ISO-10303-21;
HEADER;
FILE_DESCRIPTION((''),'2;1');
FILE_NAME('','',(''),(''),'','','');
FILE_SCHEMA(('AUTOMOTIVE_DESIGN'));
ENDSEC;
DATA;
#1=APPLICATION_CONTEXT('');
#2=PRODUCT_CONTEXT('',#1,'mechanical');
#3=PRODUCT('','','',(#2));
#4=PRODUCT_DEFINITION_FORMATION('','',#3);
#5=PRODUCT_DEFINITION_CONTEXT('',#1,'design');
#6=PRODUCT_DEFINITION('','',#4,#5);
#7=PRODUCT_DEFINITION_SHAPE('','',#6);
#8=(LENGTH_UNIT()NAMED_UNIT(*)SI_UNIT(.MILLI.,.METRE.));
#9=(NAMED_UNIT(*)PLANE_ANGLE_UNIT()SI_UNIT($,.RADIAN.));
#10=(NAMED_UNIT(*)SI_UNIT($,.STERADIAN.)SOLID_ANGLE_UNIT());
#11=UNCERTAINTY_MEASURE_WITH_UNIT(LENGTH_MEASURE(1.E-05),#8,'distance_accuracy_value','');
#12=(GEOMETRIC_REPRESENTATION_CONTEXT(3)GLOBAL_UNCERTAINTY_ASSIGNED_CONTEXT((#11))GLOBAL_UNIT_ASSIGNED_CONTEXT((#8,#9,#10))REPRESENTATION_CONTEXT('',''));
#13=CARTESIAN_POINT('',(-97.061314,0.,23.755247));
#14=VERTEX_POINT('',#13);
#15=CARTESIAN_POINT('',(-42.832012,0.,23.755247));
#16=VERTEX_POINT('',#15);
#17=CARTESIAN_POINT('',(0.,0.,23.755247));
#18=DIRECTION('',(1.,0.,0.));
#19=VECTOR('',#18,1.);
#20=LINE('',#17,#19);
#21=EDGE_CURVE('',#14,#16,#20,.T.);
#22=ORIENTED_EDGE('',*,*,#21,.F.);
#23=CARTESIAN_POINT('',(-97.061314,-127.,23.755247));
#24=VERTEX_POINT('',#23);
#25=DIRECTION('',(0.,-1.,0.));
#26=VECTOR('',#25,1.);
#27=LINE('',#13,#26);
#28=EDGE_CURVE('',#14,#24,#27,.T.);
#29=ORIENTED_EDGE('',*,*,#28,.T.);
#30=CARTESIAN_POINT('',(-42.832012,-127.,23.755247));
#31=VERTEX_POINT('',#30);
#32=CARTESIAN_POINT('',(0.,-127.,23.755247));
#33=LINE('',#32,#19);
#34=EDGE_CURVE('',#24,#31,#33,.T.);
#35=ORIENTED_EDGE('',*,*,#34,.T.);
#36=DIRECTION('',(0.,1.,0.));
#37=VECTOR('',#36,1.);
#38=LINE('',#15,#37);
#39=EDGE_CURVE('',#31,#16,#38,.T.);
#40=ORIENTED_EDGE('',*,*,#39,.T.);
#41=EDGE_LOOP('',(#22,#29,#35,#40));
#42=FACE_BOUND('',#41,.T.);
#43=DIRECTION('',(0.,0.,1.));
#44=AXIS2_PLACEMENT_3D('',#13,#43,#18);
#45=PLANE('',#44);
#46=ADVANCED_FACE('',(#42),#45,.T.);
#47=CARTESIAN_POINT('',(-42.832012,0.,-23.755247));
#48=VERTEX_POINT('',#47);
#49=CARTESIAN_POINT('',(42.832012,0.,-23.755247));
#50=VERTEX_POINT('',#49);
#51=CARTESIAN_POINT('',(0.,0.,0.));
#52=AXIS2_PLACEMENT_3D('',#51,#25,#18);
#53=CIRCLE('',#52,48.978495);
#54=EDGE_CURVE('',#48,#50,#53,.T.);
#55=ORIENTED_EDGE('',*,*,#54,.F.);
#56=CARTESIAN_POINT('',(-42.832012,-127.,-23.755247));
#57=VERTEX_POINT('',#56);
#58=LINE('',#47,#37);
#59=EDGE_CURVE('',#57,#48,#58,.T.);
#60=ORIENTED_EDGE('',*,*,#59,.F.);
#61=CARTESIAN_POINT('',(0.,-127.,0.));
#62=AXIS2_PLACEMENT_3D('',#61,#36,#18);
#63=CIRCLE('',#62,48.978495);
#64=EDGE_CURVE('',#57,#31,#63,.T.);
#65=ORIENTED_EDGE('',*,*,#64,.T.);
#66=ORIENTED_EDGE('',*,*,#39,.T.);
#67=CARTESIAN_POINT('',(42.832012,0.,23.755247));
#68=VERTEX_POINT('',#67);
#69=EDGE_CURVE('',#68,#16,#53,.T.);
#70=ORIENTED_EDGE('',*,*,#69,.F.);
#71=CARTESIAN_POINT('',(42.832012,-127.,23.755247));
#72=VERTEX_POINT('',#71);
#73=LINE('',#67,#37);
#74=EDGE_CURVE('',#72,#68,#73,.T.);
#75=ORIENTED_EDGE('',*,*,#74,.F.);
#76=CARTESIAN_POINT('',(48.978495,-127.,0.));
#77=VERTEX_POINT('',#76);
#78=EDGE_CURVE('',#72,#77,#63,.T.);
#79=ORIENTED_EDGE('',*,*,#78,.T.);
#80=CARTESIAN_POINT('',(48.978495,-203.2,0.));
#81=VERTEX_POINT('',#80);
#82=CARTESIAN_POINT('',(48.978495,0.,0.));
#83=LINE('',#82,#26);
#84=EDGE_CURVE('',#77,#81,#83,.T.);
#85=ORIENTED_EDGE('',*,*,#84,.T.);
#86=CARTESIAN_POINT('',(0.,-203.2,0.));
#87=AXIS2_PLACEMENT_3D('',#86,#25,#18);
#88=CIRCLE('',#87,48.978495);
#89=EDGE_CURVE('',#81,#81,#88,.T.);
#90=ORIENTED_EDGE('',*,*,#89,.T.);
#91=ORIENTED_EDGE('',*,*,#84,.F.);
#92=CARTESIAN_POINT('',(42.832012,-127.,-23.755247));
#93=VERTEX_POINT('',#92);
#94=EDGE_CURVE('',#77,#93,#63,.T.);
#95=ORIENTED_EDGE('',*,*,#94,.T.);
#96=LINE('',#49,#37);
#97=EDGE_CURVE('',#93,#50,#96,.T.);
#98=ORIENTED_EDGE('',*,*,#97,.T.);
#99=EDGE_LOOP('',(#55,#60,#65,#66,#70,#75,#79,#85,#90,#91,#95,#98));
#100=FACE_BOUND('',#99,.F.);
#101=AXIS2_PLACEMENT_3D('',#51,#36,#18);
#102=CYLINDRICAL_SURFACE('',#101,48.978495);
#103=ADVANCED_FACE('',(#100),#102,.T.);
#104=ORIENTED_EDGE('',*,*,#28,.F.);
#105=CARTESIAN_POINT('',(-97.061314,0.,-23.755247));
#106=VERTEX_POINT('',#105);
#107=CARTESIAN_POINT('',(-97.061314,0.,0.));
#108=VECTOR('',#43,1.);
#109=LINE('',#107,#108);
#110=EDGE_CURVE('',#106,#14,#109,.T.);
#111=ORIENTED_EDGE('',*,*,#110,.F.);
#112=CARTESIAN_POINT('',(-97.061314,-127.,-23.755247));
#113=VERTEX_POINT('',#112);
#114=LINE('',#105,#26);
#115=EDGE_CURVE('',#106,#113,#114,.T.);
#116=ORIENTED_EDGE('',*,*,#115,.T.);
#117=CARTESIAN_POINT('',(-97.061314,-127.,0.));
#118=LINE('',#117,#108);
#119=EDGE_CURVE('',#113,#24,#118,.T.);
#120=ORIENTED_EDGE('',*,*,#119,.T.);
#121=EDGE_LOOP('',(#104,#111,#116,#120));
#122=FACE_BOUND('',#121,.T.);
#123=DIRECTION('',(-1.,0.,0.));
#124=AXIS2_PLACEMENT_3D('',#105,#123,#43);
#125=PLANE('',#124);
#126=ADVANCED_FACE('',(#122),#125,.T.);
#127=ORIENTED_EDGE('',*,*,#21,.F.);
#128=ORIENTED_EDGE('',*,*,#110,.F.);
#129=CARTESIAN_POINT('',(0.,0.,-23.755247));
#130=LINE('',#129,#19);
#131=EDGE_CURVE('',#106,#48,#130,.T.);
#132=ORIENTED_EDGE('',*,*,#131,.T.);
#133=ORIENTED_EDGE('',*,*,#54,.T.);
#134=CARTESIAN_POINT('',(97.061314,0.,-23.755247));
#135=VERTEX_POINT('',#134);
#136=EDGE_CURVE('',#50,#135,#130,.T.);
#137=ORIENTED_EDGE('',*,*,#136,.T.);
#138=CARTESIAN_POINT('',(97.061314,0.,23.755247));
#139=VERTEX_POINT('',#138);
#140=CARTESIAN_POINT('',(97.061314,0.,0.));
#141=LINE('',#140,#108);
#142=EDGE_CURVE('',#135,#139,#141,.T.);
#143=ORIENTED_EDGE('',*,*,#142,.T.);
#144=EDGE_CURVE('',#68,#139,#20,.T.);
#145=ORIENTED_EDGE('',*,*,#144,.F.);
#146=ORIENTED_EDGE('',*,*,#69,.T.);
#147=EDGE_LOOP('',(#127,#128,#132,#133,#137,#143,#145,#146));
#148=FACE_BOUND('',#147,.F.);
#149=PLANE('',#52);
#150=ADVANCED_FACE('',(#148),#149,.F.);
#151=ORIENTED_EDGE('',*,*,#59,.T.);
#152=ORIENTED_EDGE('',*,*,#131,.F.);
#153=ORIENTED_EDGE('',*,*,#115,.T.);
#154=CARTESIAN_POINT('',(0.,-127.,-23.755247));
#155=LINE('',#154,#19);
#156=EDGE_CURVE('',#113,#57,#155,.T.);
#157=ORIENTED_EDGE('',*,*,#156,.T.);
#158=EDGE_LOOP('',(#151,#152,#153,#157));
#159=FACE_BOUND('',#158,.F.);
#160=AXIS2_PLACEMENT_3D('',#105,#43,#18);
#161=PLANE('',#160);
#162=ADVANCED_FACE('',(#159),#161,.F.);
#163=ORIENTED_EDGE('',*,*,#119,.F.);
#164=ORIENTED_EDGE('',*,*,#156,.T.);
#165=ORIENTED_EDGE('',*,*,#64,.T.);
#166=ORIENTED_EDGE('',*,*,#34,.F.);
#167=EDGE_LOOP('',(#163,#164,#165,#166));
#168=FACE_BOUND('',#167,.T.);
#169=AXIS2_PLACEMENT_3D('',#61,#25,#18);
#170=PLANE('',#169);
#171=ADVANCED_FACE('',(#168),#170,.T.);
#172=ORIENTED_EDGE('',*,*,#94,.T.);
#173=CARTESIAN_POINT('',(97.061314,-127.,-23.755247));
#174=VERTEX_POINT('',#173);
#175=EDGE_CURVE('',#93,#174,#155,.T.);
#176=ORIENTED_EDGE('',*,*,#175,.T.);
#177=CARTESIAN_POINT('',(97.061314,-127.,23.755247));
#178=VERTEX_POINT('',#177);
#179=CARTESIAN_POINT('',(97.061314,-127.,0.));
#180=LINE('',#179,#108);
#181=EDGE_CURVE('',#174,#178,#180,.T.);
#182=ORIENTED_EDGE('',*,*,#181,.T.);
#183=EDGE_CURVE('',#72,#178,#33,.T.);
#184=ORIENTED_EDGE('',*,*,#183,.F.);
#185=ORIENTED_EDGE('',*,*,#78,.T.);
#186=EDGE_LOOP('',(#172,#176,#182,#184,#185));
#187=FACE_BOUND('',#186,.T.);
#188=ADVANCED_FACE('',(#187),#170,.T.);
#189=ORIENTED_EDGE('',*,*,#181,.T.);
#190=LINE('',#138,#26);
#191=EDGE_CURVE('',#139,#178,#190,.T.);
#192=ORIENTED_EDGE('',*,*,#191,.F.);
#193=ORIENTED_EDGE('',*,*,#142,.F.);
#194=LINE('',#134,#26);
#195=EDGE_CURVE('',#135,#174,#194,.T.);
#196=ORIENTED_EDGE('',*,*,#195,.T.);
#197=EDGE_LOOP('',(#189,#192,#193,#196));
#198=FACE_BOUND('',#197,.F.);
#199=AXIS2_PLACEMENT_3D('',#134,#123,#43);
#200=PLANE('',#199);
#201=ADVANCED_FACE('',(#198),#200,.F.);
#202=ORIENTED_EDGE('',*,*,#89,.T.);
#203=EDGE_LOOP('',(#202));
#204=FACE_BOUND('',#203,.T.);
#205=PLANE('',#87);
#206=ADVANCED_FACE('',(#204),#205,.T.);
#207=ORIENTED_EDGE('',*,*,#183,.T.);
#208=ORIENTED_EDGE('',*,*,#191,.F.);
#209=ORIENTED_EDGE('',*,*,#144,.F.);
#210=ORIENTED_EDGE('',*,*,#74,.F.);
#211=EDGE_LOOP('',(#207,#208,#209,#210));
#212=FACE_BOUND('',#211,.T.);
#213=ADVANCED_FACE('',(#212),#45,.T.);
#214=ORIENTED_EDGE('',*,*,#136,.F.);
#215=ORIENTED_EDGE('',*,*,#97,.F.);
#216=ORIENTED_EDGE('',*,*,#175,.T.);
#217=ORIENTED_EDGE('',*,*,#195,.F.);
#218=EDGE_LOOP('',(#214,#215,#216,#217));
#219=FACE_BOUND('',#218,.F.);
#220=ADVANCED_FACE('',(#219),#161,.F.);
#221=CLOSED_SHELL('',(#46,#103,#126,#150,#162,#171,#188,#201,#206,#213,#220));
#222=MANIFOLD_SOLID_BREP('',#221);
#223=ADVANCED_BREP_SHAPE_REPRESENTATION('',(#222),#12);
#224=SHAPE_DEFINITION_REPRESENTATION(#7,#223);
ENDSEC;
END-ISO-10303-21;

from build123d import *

# Parameters (mm, degrees)
F0_R     = 48.978495
F1_DEPTH = 203.2
F2_W     = 194.122628
F2_H     = 47.510494
F3_DEPTH = 127


with BuildPart() as f1:
    # F0 (on Front) → F1 (new body)
    with BuildSketch(Plane.XZ):
        Circle(F0_R)
    extrude(amount=F1_DEPTH)

    # F2 (on Front) → F3 (join)
    with BuildSketch(Plane.XZ):
        Rectangle(F2_W, F2_H)
    extrude(amount=F3_DEPTH)


solid = f1.part
